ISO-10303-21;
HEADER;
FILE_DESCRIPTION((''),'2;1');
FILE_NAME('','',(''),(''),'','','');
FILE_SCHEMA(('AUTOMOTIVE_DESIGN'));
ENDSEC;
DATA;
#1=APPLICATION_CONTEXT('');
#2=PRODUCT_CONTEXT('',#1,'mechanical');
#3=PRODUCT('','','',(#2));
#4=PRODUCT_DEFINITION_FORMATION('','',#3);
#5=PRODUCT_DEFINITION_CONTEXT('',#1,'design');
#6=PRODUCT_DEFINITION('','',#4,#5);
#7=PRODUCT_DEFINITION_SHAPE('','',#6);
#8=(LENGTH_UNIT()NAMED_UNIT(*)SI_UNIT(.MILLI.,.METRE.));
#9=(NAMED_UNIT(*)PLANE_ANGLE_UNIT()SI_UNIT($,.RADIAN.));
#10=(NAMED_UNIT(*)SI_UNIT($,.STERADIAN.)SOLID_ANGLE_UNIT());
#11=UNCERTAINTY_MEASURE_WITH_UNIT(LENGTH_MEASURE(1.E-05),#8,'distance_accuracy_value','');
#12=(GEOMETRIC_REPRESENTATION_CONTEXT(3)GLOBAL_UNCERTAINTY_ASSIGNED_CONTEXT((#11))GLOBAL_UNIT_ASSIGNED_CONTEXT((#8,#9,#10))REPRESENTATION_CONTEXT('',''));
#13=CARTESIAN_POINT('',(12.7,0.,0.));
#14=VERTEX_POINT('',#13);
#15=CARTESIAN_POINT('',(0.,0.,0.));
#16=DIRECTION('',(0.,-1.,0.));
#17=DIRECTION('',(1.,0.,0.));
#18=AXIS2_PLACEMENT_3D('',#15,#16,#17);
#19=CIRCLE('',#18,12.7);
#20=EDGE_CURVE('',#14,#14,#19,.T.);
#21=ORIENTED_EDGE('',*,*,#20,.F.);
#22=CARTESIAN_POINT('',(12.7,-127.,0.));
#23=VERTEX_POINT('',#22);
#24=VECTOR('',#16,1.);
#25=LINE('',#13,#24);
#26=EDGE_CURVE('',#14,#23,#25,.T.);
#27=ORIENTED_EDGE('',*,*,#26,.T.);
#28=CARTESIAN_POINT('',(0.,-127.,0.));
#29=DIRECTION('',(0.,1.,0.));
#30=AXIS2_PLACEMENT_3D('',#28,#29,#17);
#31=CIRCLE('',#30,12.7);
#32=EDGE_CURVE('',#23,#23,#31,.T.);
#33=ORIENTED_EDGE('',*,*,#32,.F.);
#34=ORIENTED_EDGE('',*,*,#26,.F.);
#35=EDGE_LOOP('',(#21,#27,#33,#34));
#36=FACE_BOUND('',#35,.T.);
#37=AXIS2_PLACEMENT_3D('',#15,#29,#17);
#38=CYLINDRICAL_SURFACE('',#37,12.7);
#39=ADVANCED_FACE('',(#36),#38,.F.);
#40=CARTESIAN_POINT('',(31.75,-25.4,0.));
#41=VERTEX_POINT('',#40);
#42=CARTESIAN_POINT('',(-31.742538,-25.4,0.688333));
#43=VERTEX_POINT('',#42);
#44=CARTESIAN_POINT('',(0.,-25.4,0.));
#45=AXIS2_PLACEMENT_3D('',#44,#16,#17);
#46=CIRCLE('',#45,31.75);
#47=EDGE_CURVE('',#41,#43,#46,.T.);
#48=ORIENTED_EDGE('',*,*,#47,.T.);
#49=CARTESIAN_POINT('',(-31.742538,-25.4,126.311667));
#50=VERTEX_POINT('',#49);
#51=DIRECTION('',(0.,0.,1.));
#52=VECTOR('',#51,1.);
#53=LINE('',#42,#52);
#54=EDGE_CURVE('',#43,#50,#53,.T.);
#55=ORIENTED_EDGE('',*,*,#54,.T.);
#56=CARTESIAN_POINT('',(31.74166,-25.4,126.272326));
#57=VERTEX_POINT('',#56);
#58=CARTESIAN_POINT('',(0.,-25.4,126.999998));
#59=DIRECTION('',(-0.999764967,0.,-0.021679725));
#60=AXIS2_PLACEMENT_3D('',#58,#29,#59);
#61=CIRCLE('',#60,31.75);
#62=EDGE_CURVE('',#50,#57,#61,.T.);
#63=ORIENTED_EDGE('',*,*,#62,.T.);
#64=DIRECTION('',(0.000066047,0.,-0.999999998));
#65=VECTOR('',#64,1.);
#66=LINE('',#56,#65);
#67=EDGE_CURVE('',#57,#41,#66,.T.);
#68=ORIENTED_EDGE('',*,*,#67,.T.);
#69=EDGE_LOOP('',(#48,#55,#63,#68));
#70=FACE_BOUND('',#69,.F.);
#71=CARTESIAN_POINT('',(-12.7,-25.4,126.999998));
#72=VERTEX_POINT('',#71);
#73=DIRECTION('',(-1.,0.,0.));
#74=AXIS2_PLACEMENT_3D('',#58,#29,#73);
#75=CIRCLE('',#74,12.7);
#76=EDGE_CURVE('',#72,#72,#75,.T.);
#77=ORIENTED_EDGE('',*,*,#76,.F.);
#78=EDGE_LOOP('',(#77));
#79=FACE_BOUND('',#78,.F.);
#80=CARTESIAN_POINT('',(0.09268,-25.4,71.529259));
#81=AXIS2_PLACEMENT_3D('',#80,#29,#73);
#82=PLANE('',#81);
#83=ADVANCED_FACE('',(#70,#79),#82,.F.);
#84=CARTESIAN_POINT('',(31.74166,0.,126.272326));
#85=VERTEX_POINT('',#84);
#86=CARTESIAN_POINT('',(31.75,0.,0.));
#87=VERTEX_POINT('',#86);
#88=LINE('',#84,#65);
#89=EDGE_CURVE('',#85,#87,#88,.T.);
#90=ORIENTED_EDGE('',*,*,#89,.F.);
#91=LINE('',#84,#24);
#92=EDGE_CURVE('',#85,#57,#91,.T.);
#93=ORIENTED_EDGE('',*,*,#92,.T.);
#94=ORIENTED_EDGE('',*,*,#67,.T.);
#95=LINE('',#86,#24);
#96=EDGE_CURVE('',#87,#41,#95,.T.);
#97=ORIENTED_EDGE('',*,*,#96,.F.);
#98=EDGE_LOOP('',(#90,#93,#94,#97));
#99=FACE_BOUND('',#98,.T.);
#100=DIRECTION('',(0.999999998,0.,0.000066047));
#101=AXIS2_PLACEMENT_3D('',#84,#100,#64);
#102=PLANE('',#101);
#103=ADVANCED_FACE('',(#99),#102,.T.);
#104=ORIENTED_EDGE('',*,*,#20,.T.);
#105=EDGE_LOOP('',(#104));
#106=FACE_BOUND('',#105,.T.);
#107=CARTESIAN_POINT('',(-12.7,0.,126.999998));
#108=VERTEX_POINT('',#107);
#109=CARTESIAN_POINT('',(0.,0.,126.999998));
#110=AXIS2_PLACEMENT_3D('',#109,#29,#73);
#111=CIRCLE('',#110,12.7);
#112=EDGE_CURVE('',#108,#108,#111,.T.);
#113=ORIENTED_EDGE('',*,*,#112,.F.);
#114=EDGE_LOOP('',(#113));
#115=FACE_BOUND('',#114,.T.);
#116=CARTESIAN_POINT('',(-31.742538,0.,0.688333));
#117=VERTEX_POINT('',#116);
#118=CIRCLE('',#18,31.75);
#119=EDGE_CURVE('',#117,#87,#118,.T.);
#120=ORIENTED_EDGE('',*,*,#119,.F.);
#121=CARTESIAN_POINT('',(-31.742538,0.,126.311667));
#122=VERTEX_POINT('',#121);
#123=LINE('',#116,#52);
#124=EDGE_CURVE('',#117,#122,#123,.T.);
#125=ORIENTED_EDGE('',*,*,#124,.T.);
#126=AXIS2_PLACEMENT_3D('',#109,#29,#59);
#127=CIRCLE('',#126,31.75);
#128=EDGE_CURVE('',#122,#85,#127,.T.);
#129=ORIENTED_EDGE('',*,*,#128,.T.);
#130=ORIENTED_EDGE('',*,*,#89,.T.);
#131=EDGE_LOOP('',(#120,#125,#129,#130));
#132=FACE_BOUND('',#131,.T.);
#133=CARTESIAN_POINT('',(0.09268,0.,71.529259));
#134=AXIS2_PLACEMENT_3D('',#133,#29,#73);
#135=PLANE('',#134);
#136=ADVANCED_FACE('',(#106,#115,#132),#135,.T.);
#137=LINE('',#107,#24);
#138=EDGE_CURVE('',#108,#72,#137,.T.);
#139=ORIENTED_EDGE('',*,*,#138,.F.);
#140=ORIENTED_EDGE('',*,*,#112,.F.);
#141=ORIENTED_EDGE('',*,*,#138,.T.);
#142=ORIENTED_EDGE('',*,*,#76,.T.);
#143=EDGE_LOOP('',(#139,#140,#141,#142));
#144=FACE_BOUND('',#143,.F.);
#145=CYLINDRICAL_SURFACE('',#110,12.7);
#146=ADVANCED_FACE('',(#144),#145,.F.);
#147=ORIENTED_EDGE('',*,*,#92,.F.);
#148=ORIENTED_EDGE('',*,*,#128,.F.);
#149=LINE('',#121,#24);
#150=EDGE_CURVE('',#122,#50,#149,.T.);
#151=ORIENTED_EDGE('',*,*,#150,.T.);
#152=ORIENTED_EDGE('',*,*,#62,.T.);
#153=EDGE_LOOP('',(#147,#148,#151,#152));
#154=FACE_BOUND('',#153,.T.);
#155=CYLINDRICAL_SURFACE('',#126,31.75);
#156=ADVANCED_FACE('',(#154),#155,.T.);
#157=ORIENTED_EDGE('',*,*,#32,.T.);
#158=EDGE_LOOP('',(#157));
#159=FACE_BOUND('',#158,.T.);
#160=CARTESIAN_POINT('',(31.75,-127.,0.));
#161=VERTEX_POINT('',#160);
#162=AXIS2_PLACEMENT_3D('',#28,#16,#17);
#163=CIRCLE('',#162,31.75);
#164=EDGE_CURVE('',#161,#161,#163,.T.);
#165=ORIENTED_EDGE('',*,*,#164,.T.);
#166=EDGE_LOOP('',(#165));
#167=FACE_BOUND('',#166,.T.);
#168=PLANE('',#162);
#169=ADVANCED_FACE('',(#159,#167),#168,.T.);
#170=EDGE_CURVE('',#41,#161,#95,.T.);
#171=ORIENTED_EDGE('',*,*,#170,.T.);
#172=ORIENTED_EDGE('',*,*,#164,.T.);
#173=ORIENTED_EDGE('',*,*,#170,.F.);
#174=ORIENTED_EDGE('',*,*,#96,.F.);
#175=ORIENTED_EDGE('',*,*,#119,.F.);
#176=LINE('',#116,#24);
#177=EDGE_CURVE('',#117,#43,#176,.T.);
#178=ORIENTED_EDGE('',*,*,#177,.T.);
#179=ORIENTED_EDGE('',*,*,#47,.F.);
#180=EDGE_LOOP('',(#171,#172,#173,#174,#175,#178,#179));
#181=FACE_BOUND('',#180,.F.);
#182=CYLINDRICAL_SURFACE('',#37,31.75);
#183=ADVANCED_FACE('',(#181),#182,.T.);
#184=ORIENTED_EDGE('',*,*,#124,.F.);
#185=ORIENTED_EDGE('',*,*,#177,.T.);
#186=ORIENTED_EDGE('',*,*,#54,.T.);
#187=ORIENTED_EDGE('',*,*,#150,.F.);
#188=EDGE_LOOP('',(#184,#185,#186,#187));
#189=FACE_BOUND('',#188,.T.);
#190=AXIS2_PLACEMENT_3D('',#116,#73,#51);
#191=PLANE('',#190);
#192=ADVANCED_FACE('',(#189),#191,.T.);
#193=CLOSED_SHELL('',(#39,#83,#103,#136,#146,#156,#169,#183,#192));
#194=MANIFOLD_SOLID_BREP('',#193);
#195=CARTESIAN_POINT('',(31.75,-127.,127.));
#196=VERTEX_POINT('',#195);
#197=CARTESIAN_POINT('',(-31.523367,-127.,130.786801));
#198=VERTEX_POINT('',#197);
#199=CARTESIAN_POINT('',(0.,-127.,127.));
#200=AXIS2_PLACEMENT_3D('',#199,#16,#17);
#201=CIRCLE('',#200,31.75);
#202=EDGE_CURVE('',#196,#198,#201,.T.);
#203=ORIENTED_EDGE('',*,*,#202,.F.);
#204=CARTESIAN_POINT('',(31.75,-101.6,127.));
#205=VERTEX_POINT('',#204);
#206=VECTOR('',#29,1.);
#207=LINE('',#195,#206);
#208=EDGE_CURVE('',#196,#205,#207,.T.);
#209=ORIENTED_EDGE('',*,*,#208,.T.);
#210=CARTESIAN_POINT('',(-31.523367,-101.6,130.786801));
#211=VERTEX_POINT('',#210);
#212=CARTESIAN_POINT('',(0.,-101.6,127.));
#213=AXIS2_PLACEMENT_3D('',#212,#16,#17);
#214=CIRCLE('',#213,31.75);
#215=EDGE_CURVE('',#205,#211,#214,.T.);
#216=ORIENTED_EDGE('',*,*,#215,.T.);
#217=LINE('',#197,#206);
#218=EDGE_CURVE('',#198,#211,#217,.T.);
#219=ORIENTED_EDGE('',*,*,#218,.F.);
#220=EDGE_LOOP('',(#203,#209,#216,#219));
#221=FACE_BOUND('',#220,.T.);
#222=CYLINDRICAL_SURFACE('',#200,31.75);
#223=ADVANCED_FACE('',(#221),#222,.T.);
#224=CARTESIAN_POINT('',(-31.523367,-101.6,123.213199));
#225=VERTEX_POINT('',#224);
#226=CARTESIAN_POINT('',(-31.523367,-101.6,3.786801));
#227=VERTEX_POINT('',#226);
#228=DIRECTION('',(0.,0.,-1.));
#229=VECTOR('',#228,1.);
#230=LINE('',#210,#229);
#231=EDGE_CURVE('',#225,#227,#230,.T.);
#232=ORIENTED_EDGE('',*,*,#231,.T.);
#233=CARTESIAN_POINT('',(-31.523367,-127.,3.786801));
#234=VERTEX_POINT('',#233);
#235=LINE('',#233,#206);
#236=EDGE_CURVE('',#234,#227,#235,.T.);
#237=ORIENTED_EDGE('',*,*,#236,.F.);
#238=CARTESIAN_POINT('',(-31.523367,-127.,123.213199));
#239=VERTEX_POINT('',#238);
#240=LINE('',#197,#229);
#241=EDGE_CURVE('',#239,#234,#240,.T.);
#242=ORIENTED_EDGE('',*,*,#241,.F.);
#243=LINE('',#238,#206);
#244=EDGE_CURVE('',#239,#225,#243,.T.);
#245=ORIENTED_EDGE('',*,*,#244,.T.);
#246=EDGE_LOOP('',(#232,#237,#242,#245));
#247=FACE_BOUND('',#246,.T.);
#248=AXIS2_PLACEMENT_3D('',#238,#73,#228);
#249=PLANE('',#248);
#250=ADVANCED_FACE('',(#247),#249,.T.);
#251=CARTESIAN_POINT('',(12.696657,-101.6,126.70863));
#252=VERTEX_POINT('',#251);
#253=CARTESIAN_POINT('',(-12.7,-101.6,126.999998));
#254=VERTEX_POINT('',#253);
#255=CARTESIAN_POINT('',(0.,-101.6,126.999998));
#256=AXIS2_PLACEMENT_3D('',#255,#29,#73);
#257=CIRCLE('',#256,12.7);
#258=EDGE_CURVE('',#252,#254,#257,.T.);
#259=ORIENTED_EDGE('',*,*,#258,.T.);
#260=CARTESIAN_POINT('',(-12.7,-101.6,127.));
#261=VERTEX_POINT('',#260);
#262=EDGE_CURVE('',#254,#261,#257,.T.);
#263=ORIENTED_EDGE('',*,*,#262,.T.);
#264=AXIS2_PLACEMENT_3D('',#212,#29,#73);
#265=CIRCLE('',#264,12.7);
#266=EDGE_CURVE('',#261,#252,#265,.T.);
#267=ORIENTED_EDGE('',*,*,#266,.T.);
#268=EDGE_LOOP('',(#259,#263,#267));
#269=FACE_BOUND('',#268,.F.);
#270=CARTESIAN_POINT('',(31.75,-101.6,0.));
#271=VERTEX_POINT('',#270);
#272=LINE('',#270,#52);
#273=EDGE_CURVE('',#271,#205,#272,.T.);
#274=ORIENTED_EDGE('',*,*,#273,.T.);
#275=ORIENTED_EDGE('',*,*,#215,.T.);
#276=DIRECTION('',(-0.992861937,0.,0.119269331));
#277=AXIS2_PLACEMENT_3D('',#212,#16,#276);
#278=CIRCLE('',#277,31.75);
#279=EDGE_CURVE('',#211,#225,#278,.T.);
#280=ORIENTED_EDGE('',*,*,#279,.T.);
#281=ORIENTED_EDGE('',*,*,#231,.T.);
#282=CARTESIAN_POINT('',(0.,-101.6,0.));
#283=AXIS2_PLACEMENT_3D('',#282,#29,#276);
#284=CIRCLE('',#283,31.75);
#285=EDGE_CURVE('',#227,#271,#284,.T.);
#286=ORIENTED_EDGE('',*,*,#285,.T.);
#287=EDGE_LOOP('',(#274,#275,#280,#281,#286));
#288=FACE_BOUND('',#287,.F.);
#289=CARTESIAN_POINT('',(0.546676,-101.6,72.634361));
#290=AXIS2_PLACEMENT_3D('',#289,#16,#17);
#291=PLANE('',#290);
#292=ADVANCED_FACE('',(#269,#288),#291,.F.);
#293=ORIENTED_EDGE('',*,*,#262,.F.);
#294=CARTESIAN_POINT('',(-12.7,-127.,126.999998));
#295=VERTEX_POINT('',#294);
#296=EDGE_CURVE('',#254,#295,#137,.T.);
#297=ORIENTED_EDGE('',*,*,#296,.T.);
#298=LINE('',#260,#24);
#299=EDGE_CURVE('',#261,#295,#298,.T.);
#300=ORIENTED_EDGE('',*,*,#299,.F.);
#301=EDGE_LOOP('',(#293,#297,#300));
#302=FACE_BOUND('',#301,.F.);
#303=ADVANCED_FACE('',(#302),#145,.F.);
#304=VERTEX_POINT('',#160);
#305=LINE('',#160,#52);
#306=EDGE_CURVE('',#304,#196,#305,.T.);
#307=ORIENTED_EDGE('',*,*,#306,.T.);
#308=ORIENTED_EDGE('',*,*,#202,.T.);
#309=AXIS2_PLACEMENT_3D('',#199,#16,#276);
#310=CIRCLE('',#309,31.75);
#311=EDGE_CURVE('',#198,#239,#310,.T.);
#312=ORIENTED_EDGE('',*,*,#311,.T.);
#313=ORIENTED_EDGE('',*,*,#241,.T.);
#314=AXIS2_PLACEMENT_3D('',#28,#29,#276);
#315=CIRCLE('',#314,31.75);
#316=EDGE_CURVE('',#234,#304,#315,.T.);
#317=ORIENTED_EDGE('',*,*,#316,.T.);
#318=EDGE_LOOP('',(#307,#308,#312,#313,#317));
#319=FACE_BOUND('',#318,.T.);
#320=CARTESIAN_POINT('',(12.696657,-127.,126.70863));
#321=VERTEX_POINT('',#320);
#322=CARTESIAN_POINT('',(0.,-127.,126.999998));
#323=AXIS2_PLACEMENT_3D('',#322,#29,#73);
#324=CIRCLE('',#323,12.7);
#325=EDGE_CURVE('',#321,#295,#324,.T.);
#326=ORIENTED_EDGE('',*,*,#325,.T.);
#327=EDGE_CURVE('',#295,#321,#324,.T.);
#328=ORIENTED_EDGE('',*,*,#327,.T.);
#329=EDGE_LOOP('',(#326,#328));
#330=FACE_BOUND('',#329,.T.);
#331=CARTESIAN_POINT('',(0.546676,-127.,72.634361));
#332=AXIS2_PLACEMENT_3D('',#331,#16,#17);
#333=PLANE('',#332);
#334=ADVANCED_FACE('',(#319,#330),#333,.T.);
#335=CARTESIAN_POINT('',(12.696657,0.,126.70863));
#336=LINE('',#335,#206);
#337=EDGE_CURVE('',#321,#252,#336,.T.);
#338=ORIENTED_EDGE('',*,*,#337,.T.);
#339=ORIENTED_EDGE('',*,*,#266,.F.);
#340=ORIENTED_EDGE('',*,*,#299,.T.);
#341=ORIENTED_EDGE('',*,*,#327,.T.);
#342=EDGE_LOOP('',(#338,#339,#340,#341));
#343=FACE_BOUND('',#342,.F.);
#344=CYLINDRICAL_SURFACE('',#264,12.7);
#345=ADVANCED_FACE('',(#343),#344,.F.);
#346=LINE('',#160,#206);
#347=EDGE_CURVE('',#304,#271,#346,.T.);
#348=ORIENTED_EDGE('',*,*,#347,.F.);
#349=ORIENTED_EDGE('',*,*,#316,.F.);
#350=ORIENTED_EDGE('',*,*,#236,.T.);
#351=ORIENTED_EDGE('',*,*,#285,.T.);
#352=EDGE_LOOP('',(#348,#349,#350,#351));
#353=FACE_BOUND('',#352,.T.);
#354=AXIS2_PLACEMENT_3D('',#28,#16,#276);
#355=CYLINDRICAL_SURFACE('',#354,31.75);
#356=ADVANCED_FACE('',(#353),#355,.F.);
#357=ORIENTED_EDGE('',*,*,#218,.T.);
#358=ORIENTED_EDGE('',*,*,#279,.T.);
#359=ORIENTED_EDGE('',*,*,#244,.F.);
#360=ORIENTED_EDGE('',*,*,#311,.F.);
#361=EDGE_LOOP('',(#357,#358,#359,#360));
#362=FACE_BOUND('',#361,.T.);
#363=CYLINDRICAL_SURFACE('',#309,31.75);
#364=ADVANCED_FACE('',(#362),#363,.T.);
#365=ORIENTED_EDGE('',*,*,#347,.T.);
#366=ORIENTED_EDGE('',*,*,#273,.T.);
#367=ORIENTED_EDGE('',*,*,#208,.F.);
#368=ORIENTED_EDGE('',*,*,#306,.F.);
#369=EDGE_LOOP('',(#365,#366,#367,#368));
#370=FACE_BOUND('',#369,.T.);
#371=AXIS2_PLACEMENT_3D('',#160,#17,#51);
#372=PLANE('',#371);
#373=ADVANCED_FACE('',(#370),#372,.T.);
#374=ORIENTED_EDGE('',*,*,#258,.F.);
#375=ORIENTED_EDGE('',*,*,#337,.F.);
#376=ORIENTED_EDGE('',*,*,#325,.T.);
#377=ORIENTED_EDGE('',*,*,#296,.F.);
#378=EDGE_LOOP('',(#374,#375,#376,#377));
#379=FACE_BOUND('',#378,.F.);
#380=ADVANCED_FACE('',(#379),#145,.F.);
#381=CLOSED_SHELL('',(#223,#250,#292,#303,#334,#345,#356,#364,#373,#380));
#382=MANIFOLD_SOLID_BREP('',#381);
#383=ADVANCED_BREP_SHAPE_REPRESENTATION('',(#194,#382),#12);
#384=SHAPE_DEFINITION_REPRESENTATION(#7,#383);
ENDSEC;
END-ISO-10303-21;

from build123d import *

# Parameters (mm, degrees)
F0_R     = 31.75
F0_R_2   = 12.7
F1_DEPTH = 127
F3_DEPTH = 25.4
F5_DEPTH = 25.4
F6_R     = 12.7
F7_DEPTH = 139.7
F8_R     = 12.7
F9_DEPTH = 38.1


with BuildPart() as f1:
    # F0 (on Front) → F1 (new body)
    with BuildSketch(Plane.XZ):
        Circle(F0_R)
        Circle(F0_R_2, mode=Mode.SUBTRACT)
    extrude(amount=F1_DEPTH)

    # F4 (on face) → F5 (join)
    with BuildSketch(Plane(origin=(0, 0, 0), x_dir=(-1, 0, 0), z_dir=(0, 1, 0))):
        with BuildLine():
            ThreePointArc((-31.7500000692, 0), (-0.344186637, 31.7481344327), (31.7425377423, 0.688332825))
            Line((31.7425377423, 0.688332825), (31.7425377423, 126.311667178))
            ThreePointArc((31.7425377423, 126.311667178), (-0.0196755774, 158.7499923522), (-31.7416601672, 126.2723257371))
            Line((-31.7416601672, 126.2723257371), (-31.7500000692, 0))
        make_face()
    extrude(amount=-F5_DEPTH)


with BuildPart() as f3:
    # F2 (on face) → F3 (new body)
    with BuildSketch(Plane.XZ.offset(127)):
        with BuildLine():
            ThreePointArc((0, 31.75), (22.4506403027, 22.4506403027), (31.75, 0))
            Line((31.75, 0), (31.75, 127))
            ThreePointArc((31.75, 127), (1.8967885005, 158.6932909838), (-31.5233665124, 130.7868012523))
            Line((-31.5233665124, 130.7868012523), (-31.5233665124, 123.2131987477))
            Line((-31.5233665124, 123.2131987477), (-31.5233665124, 3.7868012523))
            ThreePointArc((-31.5233665124, 3.7868012523), (-21.0693089616, 23.7517729839), (0, 31.75))
        make_face()
        with BuildLine():
            Line((-31.5233665124, 123.2131987477), (-31.5233665124, 130.7868012523))
            ThreePointArc((-31.5233665124, 130.7868012523), (-31.75, 127), (-31.5233665124, 123.2131987477))
        make_face()
    extrude(amount=-F3_DEPTH)


with BuildPart() as f7_tool:
    # F6 (on face) → F7 (new body)
    with BuildSketch(Plane(origin=(0, 0, 0), x_dir=(-1, 0, 0), z_dir=(0, 1, 0))):
        Circle(F6_R)
        with Locations((3.56e-08, 126.9999984487)):
            Circle(F6_R)
    extrude(amount=-F7_DEPTH)


with BuildPart() as f1_1:
    add(f1.part)

    # F7: cut by f7_tool
    add(f7_tool.part, mode=Mode.SUBTRACT)


with BuildPart() as f3_1:
    add(f3.part)

    # F7: cut by f7_tool
    add(f7_tool.part, mode=Mode.SUBTRACT)

    # F8 (on face) → F9 (cut)
    with BuildSketch(Plane(origin=(0, -101.6, 0), x_dir=(-1, 0, 0), z_dir=(0, 1, 0))):
        with Locations((0, 127)):
            Circle(F8_R)
    extrude(amount=-F9_DEPTH, mode=Mode.SUBTRACT)


solid = Compound([f1_1.part, f3_1.part])
